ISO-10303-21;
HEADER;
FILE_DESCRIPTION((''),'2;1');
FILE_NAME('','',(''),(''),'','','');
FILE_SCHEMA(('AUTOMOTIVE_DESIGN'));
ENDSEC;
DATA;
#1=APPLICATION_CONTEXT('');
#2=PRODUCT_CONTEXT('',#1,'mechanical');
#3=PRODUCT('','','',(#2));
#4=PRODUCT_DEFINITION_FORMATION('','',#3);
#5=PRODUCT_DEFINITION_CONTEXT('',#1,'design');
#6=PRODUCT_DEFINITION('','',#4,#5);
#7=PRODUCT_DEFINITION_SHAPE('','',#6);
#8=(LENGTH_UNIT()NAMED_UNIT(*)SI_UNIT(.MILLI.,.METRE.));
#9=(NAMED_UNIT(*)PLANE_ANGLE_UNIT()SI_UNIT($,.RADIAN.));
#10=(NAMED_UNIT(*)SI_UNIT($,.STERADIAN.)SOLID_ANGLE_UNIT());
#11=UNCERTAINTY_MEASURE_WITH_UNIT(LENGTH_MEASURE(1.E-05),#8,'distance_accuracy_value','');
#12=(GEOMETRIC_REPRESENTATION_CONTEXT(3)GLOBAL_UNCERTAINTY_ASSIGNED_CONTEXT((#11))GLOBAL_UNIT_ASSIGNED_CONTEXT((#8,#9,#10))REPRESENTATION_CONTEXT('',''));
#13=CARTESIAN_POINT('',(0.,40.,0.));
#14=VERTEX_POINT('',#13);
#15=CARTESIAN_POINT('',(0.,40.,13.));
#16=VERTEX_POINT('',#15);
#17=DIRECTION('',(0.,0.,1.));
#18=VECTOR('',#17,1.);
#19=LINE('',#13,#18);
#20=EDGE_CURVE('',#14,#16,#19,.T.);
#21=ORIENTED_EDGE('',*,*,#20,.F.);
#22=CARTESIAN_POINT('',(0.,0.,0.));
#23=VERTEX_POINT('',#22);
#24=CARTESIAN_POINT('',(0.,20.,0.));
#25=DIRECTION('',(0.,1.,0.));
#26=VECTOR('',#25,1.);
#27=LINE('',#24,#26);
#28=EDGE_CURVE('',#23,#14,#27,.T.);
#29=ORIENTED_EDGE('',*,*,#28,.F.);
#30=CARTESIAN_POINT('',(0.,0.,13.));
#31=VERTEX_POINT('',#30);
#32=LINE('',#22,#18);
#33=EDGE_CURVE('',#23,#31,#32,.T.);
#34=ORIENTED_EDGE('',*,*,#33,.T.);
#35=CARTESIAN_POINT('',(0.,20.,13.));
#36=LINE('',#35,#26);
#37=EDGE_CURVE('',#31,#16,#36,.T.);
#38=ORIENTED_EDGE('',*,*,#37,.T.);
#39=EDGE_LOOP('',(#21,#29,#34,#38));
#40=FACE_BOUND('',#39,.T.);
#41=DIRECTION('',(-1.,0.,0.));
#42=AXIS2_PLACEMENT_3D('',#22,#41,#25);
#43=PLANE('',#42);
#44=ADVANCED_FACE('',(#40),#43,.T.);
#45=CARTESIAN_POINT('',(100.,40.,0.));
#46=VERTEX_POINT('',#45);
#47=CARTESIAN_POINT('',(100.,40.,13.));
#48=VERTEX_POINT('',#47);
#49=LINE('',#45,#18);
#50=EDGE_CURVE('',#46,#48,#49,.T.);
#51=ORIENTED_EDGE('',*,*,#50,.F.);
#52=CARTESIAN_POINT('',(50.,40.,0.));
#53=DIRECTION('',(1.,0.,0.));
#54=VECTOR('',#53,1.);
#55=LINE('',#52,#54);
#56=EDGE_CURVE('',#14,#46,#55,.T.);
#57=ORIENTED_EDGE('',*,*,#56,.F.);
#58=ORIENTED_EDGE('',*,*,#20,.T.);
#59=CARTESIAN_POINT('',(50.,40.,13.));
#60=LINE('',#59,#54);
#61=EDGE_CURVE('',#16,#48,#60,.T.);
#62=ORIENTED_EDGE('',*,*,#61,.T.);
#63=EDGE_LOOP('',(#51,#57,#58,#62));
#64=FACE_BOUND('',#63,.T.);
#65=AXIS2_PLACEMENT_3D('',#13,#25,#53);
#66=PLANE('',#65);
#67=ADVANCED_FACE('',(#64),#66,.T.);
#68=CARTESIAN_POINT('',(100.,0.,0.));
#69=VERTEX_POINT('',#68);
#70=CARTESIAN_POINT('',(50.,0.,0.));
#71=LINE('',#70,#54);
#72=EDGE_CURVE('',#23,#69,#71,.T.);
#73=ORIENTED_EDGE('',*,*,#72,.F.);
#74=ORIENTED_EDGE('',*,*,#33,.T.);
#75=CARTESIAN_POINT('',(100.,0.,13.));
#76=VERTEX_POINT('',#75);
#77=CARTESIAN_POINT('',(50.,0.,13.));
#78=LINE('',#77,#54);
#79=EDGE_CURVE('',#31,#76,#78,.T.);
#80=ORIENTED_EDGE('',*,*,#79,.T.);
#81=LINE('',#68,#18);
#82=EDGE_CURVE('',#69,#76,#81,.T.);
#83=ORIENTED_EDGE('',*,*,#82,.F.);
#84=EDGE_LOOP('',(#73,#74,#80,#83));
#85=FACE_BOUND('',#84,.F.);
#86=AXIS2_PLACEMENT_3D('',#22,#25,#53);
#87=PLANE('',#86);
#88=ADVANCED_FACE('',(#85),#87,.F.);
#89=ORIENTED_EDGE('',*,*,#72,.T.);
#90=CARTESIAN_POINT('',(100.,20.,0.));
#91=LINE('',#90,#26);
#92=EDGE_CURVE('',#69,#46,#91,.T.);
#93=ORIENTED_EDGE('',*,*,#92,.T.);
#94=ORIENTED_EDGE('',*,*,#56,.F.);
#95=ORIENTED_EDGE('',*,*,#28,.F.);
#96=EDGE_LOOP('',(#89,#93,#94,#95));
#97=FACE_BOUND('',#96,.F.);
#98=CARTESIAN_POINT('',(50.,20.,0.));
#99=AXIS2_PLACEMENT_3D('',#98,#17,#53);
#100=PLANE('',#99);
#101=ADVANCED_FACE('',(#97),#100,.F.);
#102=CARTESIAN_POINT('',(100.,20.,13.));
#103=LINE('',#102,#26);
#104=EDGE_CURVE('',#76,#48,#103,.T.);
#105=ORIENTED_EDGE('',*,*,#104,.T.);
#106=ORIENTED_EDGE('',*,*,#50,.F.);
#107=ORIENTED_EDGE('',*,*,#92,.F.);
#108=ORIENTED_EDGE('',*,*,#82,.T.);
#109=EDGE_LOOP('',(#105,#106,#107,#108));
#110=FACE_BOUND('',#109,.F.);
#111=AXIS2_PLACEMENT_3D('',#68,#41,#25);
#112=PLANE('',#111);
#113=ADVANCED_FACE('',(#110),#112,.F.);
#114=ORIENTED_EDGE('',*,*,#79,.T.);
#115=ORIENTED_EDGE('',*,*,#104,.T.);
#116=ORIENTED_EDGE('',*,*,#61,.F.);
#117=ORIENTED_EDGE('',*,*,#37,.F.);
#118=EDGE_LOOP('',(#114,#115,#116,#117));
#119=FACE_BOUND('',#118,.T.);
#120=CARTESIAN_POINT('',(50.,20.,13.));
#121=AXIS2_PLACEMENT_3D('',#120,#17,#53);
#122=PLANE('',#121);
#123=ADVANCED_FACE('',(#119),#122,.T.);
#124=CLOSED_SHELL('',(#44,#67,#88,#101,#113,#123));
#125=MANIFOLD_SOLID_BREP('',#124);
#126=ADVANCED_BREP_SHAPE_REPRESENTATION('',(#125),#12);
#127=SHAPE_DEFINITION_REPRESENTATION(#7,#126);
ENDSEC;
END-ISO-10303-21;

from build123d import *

# Parameters (mm, degrees)
F0_W     = 100
F0_H     = 40
F1_DEPTH = 13
F2_W     = 100
F2_H     = 2.419342
F3_DEPTH = 3


with BuildPart() as f1:
    # F0 (on Top) → F1 (new body)
    with BuildSketch(Plane.XY):
        with Locations((50, 20)):
            Rectangle(F0_W, F0_H)
    extrude(amount=F1_DEPTH)

    # F2 (on face) → F3 (join)
    with BuildSketch(Plane.XZ):
        with Locations((50, 4.180386)):
            Rectangle(F2_W, F2_H)
    extrude(amount=-F3_DEPTH)


solid = f1.part
